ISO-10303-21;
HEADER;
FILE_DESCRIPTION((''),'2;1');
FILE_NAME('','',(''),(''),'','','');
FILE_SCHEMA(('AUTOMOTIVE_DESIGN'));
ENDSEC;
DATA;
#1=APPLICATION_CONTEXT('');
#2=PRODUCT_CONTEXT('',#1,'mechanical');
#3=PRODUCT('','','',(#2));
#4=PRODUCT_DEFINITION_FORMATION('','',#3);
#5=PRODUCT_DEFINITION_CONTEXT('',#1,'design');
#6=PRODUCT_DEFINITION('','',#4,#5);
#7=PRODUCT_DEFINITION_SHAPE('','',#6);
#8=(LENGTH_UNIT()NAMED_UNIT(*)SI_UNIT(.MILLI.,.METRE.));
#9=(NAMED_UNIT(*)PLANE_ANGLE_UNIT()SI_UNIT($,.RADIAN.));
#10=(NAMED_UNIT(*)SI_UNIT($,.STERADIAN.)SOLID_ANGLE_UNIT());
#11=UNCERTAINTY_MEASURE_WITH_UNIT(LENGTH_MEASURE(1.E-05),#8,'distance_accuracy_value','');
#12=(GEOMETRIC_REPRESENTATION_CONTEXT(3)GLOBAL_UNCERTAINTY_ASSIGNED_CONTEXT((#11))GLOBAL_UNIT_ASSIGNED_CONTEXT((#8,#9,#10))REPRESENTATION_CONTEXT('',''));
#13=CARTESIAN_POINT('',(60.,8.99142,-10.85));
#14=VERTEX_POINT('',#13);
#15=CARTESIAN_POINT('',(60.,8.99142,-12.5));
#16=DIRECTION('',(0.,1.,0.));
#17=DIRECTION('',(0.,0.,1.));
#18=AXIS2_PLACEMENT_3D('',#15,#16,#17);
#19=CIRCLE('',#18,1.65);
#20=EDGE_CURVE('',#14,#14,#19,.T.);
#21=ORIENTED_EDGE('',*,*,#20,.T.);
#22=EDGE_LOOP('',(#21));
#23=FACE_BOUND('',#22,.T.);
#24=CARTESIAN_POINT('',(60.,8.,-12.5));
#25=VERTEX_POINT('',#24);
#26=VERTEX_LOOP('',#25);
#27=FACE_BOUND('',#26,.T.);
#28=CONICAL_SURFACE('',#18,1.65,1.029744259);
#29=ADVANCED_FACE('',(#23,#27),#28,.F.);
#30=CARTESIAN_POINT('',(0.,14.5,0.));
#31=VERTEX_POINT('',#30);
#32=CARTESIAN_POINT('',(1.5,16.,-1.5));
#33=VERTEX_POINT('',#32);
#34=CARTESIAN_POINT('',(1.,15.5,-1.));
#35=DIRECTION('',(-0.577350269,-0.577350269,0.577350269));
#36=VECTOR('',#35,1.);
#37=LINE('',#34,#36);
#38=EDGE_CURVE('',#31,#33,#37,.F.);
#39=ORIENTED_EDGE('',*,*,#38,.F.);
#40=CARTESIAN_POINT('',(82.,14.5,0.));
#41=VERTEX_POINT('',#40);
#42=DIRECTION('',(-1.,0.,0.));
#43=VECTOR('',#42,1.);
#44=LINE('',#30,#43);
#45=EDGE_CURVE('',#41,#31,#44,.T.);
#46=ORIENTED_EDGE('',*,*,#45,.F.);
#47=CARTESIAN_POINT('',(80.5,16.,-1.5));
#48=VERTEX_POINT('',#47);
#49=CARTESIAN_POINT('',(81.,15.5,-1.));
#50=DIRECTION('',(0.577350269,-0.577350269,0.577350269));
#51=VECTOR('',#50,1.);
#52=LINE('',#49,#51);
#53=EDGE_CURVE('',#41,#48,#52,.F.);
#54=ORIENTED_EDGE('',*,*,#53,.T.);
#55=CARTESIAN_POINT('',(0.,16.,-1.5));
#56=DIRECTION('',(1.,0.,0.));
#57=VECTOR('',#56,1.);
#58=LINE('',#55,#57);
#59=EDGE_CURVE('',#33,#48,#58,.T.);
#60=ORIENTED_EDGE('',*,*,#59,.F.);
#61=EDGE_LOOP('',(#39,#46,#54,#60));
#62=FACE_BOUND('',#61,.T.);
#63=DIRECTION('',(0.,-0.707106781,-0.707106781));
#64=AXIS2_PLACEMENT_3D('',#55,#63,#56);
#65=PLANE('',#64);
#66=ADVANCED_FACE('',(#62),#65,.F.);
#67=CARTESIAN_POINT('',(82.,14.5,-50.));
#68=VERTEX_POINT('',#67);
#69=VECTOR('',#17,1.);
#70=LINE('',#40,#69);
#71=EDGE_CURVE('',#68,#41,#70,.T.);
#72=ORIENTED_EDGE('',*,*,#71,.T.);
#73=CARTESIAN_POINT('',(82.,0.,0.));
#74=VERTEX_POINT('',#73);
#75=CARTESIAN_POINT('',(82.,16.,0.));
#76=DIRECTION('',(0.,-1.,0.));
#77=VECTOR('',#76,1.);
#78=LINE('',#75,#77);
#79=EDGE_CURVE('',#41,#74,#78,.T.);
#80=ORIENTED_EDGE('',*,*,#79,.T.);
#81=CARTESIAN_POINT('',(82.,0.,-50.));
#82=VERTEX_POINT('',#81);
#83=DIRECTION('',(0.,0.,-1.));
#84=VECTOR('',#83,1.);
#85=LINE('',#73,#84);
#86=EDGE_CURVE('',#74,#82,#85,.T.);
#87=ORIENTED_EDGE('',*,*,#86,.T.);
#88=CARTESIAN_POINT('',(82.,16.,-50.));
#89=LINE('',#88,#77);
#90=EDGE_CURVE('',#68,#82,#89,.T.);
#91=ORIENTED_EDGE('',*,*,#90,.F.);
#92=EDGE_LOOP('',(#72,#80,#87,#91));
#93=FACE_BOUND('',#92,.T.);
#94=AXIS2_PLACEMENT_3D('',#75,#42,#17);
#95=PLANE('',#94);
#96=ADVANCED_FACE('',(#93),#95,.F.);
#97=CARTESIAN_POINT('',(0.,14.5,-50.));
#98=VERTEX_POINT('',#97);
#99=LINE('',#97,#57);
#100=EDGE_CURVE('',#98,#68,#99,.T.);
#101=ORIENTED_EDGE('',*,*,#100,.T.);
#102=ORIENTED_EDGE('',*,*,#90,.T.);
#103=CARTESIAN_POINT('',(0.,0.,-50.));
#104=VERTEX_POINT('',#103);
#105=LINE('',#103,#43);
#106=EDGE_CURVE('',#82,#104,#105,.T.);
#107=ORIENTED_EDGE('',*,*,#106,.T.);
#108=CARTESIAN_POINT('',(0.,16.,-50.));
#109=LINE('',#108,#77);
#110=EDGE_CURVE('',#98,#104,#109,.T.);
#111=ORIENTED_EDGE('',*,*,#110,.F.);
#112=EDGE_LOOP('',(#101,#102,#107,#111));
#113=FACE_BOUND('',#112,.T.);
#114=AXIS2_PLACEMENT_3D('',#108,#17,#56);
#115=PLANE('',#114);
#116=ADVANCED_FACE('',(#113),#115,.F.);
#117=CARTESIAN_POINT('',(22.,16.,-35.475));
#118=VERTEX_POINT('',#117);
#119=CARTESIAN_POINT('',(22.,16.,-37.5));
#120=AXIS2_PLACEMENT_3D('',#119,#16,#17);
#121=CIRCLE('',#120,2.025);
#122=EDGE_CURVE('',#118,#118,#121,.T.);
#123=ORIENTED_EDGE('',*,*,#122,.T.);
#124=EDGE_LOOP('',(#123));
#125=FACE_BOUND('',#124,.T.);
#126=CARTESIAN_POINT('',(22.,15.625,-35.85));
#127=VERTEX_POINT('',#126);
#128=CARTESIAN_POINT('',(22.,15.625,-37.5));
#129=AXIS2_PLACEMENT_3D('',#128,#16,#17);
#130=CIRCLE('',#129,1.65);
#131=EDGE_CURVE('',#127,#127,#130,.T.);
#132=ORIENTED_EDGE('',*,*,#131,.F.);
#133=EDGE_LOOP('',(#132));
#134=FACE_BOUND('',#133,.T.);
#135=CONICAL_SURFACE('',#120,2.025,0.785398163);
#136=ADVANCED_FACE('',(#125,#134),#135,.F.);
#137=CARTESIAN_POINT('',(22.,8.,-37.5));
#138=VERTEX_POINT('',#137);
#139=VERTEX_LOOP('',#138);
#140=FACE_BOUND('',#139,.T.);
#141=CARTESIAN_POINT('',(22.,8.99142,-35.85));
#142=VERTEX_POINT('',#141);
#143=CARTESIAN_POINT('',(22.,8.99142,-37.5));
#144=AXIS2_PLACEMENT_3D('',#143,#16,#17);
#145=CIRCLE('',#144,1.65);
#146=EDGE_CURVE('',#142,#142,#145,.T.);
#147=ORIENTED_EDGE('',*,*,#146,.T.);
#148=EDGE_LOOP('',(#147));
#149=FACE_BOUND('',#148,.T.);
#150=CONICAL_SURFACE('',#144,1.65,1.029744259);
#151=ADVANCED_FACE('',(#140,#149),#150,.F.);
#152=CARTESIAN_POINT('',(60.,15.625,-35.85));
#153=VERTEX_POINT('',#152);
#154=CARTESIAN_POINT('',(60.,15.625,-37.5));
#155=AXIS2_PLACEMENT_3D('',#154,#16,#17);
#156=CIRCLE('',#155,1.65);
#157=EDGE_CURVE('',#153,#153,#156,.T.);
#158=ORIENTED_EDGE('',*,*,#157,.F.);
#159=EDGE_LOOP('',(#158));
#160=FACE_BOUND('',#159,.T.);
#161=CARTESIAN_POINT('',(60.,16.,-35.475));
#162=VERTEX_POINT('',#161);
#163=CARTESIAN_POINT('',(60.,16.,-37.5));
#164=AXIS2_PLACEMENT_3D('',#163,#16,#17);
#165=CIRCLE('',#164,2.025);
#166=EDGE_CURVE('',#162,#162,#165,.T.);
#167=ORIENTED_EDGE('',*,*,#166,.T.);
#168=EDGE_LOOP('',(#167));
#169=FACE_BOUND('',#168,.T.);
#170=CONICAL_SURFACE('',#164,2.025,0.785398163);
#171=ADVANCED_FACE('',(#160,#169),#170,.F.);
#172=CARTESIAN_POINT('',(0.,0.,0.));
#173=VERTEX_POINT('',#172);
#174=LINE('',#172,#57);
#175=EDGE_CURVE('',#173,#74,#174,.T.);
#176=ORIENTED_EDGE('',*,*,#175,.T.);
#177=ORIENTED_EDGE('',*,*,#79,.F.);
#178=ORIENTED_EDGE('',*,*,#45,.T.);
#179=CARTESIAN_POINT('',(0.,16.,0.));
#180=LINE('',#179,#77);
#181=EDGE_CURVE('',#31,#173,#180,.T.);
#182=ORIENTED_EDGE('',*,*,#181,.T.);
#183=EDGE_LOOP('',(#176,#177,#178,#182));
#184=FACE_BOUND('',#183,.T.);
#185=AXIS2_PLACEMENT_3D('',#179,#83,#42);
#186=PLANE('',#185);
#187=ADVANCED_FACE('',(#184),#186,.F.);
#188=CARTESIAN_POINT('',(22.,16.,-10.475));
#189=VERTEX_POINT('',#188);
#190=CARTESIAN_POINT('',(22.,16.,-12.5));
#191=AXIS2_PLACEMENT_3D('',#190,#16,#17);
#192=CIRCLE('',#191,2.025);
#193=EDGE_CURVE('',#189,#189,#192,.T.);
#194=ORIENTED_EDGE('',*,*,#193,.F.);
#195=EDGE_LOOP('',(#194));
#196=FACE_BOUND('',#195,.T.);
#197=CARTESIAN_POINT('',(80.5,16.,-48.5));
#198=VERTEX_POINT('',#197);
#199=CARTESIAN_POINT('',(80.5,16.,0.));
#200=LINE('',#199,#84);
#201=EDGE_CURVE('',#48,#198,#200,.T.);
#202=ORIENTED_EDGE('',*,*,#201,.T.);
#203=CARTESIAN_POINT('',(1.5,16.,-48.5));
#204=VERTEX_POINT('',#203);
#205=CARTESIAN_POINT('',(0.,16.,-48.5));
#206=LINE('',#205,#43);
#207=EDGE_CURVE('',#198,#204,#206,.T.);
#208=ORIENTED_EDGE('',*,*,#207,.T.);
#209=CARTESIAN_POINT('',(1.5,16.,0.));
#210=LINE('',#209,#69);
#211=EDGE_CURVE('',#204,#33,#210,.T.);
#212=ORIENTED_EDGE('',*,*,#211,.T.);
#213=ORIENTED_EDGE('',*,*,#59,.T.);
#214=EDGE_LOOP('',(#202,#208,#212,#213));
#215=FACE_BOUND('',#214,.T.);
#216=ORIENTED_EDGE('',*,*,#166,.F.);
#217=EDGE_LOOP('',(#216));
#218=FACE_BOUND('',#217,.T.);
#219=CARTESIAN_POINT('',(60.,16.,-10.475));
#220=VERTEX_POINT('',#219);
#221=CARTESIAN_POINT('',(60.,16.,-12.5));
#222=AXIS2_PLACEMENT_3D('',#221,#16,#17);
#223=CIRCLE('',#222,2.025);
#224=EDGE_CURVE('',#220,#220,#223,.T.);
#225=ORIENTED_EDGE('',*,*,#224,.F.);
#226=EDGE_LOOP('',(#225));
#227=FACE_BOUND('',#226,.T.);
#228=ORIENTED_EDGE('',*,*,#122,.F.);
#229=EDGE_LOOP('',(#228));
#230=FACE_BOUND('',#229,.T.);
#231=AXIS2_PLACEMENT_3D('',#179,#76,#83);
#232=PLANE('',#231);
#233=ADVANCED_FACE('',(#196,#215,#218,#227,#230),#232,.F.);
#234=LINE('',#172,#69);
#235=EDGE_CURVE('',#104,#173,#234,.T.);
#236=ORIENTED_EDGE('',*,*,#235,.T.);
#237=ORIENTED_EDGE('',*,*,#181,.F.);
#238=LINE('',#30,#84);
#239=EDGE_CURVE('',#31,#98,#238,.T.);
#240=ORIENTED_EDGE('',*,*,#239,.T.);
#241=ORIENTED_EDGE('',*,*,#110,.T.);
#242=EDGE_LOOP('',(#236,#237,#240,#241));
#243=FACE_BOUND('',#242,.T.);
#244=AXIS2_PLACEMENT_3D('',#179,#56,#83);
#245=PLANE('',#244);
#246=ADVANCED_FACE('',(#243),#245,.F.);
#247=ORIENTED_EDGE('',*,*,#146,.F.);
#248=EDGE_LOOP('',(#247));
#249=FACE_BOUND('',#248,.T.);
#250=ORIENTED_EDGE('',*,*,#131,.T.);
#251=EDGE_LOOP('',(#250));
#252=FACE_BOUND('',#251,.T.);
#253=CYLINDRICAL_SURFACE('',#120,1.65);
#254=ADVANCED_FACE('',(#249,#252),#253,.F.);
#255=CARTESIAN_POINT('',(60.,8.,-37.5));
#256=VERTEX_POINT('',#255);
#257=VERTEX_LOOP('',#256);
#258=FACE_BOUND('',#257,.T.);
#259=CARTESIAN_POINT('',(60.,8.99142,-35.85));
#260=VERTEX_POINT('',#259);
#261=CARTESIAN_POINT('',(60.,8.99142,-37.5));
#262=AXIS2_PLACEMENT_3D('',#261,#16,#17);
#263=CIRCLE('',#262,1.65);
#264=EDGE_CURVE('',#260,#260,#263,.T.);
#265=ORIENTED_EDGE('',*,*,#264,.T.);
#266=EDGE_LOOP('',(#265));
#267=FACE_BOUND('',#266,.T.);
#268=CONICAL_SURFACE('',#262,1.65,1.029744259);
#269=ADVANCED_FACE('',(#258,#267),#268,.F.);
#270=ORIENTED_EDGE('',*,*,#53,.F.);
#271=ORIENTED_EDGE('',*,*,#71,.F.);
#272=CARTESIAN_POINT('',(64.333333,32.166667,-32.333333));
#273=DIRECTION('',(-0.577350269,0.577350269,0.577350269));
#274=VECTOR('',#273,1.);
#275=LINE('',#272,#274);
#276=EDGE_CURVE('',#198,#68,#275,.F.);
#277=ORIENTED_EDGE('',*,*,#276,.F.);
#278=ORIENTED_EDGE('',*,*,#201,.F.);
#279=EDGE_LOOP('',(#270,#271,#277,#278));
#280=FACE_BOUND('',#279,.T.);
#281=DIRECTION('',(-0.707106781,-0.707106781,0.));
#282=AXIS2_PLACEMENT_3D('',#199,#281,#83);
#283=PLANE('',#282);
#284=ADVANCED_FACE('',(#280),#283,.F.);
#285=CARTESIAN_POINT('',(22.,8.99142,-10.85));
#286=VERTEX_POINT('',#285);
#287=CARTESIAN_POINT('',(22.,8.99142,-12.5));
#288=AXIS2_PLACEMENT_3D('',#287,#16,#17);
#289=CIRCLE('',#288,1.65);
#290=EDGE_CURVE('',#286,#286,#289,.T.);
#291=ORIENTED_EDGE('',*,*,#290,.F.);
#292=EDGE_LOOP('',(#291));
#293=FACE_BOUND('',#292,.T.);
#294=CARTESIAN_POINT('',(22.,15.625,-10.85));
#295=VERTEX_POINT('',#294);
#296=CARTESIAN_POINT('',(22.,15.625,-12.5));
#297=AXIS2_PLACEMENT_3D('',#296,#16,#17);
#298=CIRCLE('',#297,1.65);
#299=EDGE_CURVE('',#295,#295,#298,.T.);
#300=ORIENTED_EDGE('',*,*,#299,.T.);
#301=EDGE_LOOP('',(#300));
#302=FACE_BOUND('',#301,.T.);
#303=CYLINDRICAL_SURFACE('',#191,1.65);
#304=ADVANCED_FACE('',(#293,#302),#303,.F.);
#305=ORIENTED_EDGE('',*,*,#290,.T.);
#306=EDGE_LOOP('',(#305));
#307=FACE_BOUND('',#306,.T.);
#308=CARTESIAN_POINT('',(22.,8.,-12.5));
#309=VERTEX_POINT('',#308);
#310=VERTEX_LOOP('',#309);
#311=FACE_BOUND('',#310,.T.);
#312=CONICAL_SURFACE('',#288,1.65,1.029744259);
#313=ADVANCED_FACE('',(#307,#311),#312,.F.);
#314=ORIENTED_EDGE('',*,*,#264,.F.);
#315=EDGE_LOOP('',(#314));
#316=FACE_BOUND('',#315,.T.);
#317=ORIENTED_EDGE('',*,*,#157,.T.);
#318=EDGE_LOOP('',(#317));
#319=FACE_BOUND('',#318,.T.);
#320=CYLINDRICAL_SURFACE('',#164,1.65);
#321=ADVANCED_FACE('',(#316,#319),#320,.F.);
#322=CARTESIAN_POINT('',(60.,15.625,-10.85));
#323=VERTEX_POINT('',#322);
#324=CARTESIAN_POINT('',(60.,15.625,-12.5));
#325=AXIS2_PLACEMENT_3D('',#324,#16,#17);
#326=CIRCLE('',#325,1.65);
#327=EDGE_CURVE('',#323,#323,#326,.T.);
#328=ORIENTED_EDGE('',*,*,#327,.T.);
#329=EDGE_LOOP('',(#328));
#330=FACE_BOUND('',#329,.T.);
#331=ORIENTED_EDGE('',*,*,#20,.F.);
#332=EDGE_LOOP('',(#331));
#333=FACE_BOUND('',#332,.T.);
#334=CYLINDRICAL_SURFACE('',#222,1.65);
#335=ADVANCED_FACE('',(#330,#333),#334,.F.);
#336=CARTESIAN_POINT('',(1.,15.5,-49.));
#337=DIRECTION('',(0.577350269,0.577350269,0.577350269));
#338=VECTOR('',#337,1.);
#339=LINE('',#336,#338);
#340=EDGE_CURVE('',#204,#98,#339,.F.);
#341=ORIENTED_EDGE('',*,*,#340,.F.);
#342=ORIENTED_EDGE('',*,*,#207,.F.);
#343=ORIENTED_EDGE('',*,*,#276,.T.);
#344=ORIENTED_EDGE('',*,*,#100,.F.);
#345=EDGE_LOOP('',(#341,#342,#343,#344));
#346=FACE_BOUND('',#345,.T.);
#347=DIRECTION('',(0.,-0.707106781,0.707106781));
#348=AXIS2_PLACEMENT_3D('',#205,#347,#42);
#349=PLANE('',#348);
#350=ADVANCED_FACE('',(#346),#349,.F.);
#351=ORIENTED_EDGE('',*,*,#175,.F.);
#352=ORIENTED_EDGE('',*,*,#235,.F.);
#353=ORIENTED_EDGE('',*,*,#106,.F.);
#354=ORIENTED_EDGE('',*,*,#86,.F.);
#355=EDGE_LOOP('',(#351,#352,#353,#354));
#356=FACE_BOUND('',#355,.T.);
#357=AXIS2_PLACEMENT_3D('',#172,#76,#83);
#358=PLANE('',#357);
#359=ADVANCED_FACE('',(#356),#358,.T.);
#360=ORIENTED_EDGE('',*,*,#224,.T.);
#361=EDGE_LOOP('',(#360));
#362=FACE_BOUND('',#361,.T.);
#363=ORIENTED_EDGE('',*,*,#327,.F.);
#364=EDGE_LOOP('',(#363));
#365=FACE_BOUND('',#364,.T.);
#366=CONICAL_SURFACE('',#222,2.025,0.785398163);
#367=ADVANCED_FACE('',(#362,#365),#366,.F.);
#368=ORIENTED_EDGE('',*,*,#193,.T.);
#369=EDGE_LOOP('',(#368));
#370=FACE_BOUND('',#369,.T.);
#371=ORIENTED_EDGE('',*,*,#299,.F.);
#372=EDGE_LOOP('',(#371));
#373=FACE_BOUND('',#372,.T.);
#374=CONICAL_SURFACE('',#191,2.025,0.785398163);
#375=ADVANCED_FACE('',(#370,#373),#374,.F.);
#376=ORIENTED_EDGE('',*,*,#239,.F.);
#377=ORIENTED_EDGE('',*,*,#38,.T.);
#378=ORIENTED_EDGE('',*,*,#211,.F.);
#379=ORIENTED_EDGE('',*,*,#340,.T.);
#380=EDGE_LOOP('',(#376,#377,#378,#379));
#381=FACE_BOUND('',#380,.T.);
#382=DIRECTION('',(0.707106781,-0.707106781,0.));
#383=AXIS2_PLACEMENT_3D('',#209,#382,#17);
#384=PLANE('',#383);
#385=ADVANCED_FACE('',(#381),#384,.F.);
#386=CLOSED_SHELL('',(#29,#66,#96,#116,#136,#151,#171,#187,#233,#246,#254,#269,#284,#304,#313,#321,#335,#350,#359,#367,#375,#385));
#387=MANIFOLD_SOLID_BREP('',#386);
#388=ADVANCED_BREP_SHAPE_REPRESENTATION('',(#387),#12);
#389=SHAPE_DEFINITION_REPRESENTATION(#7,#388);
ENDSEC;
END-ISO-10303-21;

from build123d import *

# Parameters (mm, degrees)
SKETCH_1_W                  = 82
SKETCH_1_H                  = 50
EXTRUDE_1_DEPTH             = 16
CHAMFER_1_SIZE              = 1.5
HOLE_WIZARD_M41_D           = 3.3
HOLE_WIZARD_M41_DEPTH       = 7.008579979
HOLE_WIZARD_M41_CSINK_D     = 4.05
HOLE_WIZARD_M41_CSINK_ANGLE = 90
HOLE_WIZARD_M41_TIP         = 0.991420021


with BuildPart() as part:
    # Эскиз1 → Бобышка-Вытянуть1 (new body)
    with BuildSketch(Plane(origin=(0, 0, 0), x_dir=(1, 0, 0), z_dir=(0, 1, 0))):
        with Locations((41, 25)):
            Rectangle(SKETCH_1_W, SKETCH_1_H)
    extrude(amount=EXTRUDE_1_DEPTH)

    # Фаска1
    chamfer_1_edges = [part.edges().sort_by_distance(p)[0] for p in [
        (82, 16, -25),
        (41, 16, -50),
        (0, 16, -25),
        (41, 16, 0),
    ]]
    chamfer(chamfer_1_edges, length=CHAMFER_1_SIZE)

    # Отверстие обработанное метчиком M41
    with Locations(Plane(origin=(22, 16, -37.5), x_dir=(0, 0, 1), z_dir=(0, 1, 0))):
        with Locations((0, 0), (25, 0), (0, 38), (25, 38)):
            CounterSinkHole(HOLE_WIZARD_M41_D / 2, HOLE_WIZARD_M41_CSINK_D / 2, depth=HOLE_WIZARD_M41_DEPTH, counter_sink_angle=HOLE_WIZARD_M41_CSINK_ANGLE)
            with Locations((0, 0, -(HOLE_WIZARD_M41_DEPTH + HOLE_WIZARD_M41_TIP / 2))):  # 118° drill point
                Cone(0, HOLE_WIZARD_M41_D / 2, HOLE_WIZARD_M41_TIP, mode=Mode.SUBTRACT)


solid = part.part
